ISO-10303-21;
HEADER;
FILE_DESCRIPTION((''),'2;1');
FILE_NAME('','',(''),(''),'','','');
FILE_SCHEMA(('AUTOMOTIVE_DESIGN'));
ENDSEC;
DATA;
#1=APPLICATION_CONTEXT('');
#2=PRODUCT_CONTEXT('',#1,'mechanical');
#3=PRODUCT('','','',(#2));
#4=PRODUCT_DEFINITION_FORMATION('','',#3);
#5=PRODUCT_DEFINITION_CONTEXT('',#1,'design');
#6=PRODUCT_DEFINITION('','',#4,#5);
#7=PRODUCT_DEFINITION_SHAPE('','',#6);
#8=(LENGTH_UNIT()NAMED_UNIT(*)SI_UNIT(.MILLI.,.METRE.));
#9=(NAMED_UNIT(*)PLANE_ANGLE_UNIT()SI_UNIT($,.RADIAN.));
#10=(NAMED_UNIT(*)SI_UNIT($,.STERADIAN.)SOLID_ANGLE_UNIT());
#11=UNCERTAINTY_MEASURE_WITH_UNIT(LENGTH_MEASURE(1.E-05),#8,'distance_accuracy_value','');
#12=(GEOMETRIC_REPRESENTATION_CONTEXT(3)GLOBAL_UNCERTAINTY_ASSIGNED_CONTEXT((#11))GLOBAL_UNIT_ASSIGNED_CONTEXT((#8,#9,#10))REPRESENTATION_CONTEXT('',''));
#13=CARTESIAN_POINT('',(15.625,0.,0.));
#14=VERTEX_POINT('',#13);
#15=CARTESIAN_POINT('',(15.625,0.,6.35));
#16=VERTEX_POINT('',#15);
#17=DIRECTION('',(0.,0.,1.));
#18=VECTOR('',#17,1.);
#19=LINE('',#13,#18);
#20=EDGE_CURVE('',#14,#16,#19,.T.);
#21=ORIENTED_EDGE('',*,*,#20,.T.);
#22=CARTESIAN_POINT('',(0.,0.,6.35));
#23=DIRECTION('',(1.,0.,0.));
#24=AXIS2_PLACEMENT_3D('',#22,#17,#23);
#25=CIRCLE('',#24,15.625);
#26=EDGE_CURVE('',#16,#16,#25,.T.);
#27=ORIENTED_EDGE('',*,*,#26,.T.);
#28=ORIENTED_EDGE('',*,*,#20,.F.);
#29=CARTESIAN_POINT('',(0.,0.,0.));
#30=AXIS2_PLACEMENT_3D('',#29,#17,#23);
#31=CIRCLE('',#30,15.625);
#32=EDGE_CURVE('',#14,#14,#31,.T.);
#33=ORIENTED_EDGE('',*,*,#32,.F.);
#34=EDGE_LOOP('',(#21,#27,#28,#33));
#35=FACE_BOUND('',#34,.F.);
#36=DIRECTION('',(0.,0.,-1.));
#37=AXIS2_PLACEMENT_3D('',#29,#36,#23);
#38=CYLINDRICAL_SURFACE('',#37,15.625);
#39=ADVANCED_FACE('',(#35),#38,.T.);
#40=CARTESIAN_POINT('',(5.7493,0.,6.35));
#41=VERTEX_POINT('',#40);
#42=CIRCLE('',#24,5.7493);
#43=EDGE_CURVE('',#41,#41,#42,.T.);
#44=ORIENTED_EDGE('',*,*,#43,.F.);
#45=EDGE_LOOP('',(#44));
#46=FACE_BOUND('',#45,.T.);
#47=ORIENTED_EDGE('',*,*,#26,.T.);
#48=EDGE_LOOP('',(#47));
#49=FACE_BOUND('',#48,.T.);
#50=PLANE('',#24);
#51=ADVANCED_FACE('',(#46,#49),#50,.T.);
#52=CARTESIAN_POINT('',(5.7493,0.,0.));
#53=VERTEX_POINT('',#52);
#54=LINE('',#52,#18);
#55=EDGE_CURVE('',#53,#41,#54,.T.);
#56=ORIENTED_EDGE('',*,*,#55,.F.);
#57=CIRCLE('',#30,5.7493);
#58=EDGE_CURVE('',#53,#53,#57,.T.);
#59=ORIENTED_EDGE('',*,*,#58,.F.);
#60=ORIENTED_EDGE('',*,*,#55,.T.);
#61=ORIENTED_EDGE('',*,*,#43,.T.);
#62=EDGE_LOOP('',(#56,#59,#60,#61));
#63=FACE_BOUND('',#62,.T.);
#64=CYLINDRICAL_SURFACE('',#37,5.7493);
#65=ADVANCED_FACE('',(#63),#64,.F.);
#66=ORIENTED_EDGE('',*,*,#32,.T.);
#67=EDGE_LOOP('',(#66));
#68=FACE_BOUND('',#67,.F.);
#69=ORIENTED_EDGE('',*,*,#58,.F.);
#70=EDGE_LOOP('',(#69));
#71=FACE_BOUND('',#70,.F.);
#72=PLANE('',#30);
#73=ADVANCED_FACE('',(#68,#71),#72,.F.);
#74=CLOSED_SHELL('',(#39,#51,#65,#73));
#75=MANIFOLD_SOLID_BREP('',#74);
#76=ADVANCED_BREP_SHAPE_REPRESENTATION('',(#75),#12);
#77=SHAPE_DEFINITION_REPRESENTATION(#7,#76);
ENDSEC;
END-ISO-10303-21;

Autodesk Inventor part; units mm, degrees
ref_plane "YZ Plane" through (0, 0, 0) normal (1, 0, 0) x (0, 1, 0)
ref_plane "XZ Plane" through (0, 0, 0) normal (0, 1, 0) x (-1, 0, 0)
ref_plane "XY Plane" through (0, 0, 0) normal (0, 0, 1) x (1, 0, 0)
sketch "Sketch1" plane through (0, 0, 0) normal (0, 0, 1) x (1, 0, 0)
  line L0 (0, 5.4993) -> (-4.7625, 2.7496) construction
  line L1 (-4.7625, 2.7496) -> (-4.7625, -2.7496) construction
  line L2 (-4.7625, -2.7496) -> (0, -5.4993) construction
  line L3 (0, -5.4993) -> (4.7625, -2.7496) construction
  line L4 (4.7625, -2.7496) -> (4.7625, 2.7496) construction
  line L5 (4.7625, 2.7496) -> (0, 5.4993) construction
  circle A0 centre (0, 0) radius 5.7493
  circle A1 centre (0, 0) radius 15.625
  circle A2 centre (-13.0717, -85.2567) radius 15.875 construction
  dimension "d0" = 5.4993
  dimension "d1" = 11.4985
  dimension "d2" = 31.75
  dimension "d3" = 31.25
extrude "Extrusion1" add sketch "Sketch1" along normal blind 6.35
properties part number "bearing"
